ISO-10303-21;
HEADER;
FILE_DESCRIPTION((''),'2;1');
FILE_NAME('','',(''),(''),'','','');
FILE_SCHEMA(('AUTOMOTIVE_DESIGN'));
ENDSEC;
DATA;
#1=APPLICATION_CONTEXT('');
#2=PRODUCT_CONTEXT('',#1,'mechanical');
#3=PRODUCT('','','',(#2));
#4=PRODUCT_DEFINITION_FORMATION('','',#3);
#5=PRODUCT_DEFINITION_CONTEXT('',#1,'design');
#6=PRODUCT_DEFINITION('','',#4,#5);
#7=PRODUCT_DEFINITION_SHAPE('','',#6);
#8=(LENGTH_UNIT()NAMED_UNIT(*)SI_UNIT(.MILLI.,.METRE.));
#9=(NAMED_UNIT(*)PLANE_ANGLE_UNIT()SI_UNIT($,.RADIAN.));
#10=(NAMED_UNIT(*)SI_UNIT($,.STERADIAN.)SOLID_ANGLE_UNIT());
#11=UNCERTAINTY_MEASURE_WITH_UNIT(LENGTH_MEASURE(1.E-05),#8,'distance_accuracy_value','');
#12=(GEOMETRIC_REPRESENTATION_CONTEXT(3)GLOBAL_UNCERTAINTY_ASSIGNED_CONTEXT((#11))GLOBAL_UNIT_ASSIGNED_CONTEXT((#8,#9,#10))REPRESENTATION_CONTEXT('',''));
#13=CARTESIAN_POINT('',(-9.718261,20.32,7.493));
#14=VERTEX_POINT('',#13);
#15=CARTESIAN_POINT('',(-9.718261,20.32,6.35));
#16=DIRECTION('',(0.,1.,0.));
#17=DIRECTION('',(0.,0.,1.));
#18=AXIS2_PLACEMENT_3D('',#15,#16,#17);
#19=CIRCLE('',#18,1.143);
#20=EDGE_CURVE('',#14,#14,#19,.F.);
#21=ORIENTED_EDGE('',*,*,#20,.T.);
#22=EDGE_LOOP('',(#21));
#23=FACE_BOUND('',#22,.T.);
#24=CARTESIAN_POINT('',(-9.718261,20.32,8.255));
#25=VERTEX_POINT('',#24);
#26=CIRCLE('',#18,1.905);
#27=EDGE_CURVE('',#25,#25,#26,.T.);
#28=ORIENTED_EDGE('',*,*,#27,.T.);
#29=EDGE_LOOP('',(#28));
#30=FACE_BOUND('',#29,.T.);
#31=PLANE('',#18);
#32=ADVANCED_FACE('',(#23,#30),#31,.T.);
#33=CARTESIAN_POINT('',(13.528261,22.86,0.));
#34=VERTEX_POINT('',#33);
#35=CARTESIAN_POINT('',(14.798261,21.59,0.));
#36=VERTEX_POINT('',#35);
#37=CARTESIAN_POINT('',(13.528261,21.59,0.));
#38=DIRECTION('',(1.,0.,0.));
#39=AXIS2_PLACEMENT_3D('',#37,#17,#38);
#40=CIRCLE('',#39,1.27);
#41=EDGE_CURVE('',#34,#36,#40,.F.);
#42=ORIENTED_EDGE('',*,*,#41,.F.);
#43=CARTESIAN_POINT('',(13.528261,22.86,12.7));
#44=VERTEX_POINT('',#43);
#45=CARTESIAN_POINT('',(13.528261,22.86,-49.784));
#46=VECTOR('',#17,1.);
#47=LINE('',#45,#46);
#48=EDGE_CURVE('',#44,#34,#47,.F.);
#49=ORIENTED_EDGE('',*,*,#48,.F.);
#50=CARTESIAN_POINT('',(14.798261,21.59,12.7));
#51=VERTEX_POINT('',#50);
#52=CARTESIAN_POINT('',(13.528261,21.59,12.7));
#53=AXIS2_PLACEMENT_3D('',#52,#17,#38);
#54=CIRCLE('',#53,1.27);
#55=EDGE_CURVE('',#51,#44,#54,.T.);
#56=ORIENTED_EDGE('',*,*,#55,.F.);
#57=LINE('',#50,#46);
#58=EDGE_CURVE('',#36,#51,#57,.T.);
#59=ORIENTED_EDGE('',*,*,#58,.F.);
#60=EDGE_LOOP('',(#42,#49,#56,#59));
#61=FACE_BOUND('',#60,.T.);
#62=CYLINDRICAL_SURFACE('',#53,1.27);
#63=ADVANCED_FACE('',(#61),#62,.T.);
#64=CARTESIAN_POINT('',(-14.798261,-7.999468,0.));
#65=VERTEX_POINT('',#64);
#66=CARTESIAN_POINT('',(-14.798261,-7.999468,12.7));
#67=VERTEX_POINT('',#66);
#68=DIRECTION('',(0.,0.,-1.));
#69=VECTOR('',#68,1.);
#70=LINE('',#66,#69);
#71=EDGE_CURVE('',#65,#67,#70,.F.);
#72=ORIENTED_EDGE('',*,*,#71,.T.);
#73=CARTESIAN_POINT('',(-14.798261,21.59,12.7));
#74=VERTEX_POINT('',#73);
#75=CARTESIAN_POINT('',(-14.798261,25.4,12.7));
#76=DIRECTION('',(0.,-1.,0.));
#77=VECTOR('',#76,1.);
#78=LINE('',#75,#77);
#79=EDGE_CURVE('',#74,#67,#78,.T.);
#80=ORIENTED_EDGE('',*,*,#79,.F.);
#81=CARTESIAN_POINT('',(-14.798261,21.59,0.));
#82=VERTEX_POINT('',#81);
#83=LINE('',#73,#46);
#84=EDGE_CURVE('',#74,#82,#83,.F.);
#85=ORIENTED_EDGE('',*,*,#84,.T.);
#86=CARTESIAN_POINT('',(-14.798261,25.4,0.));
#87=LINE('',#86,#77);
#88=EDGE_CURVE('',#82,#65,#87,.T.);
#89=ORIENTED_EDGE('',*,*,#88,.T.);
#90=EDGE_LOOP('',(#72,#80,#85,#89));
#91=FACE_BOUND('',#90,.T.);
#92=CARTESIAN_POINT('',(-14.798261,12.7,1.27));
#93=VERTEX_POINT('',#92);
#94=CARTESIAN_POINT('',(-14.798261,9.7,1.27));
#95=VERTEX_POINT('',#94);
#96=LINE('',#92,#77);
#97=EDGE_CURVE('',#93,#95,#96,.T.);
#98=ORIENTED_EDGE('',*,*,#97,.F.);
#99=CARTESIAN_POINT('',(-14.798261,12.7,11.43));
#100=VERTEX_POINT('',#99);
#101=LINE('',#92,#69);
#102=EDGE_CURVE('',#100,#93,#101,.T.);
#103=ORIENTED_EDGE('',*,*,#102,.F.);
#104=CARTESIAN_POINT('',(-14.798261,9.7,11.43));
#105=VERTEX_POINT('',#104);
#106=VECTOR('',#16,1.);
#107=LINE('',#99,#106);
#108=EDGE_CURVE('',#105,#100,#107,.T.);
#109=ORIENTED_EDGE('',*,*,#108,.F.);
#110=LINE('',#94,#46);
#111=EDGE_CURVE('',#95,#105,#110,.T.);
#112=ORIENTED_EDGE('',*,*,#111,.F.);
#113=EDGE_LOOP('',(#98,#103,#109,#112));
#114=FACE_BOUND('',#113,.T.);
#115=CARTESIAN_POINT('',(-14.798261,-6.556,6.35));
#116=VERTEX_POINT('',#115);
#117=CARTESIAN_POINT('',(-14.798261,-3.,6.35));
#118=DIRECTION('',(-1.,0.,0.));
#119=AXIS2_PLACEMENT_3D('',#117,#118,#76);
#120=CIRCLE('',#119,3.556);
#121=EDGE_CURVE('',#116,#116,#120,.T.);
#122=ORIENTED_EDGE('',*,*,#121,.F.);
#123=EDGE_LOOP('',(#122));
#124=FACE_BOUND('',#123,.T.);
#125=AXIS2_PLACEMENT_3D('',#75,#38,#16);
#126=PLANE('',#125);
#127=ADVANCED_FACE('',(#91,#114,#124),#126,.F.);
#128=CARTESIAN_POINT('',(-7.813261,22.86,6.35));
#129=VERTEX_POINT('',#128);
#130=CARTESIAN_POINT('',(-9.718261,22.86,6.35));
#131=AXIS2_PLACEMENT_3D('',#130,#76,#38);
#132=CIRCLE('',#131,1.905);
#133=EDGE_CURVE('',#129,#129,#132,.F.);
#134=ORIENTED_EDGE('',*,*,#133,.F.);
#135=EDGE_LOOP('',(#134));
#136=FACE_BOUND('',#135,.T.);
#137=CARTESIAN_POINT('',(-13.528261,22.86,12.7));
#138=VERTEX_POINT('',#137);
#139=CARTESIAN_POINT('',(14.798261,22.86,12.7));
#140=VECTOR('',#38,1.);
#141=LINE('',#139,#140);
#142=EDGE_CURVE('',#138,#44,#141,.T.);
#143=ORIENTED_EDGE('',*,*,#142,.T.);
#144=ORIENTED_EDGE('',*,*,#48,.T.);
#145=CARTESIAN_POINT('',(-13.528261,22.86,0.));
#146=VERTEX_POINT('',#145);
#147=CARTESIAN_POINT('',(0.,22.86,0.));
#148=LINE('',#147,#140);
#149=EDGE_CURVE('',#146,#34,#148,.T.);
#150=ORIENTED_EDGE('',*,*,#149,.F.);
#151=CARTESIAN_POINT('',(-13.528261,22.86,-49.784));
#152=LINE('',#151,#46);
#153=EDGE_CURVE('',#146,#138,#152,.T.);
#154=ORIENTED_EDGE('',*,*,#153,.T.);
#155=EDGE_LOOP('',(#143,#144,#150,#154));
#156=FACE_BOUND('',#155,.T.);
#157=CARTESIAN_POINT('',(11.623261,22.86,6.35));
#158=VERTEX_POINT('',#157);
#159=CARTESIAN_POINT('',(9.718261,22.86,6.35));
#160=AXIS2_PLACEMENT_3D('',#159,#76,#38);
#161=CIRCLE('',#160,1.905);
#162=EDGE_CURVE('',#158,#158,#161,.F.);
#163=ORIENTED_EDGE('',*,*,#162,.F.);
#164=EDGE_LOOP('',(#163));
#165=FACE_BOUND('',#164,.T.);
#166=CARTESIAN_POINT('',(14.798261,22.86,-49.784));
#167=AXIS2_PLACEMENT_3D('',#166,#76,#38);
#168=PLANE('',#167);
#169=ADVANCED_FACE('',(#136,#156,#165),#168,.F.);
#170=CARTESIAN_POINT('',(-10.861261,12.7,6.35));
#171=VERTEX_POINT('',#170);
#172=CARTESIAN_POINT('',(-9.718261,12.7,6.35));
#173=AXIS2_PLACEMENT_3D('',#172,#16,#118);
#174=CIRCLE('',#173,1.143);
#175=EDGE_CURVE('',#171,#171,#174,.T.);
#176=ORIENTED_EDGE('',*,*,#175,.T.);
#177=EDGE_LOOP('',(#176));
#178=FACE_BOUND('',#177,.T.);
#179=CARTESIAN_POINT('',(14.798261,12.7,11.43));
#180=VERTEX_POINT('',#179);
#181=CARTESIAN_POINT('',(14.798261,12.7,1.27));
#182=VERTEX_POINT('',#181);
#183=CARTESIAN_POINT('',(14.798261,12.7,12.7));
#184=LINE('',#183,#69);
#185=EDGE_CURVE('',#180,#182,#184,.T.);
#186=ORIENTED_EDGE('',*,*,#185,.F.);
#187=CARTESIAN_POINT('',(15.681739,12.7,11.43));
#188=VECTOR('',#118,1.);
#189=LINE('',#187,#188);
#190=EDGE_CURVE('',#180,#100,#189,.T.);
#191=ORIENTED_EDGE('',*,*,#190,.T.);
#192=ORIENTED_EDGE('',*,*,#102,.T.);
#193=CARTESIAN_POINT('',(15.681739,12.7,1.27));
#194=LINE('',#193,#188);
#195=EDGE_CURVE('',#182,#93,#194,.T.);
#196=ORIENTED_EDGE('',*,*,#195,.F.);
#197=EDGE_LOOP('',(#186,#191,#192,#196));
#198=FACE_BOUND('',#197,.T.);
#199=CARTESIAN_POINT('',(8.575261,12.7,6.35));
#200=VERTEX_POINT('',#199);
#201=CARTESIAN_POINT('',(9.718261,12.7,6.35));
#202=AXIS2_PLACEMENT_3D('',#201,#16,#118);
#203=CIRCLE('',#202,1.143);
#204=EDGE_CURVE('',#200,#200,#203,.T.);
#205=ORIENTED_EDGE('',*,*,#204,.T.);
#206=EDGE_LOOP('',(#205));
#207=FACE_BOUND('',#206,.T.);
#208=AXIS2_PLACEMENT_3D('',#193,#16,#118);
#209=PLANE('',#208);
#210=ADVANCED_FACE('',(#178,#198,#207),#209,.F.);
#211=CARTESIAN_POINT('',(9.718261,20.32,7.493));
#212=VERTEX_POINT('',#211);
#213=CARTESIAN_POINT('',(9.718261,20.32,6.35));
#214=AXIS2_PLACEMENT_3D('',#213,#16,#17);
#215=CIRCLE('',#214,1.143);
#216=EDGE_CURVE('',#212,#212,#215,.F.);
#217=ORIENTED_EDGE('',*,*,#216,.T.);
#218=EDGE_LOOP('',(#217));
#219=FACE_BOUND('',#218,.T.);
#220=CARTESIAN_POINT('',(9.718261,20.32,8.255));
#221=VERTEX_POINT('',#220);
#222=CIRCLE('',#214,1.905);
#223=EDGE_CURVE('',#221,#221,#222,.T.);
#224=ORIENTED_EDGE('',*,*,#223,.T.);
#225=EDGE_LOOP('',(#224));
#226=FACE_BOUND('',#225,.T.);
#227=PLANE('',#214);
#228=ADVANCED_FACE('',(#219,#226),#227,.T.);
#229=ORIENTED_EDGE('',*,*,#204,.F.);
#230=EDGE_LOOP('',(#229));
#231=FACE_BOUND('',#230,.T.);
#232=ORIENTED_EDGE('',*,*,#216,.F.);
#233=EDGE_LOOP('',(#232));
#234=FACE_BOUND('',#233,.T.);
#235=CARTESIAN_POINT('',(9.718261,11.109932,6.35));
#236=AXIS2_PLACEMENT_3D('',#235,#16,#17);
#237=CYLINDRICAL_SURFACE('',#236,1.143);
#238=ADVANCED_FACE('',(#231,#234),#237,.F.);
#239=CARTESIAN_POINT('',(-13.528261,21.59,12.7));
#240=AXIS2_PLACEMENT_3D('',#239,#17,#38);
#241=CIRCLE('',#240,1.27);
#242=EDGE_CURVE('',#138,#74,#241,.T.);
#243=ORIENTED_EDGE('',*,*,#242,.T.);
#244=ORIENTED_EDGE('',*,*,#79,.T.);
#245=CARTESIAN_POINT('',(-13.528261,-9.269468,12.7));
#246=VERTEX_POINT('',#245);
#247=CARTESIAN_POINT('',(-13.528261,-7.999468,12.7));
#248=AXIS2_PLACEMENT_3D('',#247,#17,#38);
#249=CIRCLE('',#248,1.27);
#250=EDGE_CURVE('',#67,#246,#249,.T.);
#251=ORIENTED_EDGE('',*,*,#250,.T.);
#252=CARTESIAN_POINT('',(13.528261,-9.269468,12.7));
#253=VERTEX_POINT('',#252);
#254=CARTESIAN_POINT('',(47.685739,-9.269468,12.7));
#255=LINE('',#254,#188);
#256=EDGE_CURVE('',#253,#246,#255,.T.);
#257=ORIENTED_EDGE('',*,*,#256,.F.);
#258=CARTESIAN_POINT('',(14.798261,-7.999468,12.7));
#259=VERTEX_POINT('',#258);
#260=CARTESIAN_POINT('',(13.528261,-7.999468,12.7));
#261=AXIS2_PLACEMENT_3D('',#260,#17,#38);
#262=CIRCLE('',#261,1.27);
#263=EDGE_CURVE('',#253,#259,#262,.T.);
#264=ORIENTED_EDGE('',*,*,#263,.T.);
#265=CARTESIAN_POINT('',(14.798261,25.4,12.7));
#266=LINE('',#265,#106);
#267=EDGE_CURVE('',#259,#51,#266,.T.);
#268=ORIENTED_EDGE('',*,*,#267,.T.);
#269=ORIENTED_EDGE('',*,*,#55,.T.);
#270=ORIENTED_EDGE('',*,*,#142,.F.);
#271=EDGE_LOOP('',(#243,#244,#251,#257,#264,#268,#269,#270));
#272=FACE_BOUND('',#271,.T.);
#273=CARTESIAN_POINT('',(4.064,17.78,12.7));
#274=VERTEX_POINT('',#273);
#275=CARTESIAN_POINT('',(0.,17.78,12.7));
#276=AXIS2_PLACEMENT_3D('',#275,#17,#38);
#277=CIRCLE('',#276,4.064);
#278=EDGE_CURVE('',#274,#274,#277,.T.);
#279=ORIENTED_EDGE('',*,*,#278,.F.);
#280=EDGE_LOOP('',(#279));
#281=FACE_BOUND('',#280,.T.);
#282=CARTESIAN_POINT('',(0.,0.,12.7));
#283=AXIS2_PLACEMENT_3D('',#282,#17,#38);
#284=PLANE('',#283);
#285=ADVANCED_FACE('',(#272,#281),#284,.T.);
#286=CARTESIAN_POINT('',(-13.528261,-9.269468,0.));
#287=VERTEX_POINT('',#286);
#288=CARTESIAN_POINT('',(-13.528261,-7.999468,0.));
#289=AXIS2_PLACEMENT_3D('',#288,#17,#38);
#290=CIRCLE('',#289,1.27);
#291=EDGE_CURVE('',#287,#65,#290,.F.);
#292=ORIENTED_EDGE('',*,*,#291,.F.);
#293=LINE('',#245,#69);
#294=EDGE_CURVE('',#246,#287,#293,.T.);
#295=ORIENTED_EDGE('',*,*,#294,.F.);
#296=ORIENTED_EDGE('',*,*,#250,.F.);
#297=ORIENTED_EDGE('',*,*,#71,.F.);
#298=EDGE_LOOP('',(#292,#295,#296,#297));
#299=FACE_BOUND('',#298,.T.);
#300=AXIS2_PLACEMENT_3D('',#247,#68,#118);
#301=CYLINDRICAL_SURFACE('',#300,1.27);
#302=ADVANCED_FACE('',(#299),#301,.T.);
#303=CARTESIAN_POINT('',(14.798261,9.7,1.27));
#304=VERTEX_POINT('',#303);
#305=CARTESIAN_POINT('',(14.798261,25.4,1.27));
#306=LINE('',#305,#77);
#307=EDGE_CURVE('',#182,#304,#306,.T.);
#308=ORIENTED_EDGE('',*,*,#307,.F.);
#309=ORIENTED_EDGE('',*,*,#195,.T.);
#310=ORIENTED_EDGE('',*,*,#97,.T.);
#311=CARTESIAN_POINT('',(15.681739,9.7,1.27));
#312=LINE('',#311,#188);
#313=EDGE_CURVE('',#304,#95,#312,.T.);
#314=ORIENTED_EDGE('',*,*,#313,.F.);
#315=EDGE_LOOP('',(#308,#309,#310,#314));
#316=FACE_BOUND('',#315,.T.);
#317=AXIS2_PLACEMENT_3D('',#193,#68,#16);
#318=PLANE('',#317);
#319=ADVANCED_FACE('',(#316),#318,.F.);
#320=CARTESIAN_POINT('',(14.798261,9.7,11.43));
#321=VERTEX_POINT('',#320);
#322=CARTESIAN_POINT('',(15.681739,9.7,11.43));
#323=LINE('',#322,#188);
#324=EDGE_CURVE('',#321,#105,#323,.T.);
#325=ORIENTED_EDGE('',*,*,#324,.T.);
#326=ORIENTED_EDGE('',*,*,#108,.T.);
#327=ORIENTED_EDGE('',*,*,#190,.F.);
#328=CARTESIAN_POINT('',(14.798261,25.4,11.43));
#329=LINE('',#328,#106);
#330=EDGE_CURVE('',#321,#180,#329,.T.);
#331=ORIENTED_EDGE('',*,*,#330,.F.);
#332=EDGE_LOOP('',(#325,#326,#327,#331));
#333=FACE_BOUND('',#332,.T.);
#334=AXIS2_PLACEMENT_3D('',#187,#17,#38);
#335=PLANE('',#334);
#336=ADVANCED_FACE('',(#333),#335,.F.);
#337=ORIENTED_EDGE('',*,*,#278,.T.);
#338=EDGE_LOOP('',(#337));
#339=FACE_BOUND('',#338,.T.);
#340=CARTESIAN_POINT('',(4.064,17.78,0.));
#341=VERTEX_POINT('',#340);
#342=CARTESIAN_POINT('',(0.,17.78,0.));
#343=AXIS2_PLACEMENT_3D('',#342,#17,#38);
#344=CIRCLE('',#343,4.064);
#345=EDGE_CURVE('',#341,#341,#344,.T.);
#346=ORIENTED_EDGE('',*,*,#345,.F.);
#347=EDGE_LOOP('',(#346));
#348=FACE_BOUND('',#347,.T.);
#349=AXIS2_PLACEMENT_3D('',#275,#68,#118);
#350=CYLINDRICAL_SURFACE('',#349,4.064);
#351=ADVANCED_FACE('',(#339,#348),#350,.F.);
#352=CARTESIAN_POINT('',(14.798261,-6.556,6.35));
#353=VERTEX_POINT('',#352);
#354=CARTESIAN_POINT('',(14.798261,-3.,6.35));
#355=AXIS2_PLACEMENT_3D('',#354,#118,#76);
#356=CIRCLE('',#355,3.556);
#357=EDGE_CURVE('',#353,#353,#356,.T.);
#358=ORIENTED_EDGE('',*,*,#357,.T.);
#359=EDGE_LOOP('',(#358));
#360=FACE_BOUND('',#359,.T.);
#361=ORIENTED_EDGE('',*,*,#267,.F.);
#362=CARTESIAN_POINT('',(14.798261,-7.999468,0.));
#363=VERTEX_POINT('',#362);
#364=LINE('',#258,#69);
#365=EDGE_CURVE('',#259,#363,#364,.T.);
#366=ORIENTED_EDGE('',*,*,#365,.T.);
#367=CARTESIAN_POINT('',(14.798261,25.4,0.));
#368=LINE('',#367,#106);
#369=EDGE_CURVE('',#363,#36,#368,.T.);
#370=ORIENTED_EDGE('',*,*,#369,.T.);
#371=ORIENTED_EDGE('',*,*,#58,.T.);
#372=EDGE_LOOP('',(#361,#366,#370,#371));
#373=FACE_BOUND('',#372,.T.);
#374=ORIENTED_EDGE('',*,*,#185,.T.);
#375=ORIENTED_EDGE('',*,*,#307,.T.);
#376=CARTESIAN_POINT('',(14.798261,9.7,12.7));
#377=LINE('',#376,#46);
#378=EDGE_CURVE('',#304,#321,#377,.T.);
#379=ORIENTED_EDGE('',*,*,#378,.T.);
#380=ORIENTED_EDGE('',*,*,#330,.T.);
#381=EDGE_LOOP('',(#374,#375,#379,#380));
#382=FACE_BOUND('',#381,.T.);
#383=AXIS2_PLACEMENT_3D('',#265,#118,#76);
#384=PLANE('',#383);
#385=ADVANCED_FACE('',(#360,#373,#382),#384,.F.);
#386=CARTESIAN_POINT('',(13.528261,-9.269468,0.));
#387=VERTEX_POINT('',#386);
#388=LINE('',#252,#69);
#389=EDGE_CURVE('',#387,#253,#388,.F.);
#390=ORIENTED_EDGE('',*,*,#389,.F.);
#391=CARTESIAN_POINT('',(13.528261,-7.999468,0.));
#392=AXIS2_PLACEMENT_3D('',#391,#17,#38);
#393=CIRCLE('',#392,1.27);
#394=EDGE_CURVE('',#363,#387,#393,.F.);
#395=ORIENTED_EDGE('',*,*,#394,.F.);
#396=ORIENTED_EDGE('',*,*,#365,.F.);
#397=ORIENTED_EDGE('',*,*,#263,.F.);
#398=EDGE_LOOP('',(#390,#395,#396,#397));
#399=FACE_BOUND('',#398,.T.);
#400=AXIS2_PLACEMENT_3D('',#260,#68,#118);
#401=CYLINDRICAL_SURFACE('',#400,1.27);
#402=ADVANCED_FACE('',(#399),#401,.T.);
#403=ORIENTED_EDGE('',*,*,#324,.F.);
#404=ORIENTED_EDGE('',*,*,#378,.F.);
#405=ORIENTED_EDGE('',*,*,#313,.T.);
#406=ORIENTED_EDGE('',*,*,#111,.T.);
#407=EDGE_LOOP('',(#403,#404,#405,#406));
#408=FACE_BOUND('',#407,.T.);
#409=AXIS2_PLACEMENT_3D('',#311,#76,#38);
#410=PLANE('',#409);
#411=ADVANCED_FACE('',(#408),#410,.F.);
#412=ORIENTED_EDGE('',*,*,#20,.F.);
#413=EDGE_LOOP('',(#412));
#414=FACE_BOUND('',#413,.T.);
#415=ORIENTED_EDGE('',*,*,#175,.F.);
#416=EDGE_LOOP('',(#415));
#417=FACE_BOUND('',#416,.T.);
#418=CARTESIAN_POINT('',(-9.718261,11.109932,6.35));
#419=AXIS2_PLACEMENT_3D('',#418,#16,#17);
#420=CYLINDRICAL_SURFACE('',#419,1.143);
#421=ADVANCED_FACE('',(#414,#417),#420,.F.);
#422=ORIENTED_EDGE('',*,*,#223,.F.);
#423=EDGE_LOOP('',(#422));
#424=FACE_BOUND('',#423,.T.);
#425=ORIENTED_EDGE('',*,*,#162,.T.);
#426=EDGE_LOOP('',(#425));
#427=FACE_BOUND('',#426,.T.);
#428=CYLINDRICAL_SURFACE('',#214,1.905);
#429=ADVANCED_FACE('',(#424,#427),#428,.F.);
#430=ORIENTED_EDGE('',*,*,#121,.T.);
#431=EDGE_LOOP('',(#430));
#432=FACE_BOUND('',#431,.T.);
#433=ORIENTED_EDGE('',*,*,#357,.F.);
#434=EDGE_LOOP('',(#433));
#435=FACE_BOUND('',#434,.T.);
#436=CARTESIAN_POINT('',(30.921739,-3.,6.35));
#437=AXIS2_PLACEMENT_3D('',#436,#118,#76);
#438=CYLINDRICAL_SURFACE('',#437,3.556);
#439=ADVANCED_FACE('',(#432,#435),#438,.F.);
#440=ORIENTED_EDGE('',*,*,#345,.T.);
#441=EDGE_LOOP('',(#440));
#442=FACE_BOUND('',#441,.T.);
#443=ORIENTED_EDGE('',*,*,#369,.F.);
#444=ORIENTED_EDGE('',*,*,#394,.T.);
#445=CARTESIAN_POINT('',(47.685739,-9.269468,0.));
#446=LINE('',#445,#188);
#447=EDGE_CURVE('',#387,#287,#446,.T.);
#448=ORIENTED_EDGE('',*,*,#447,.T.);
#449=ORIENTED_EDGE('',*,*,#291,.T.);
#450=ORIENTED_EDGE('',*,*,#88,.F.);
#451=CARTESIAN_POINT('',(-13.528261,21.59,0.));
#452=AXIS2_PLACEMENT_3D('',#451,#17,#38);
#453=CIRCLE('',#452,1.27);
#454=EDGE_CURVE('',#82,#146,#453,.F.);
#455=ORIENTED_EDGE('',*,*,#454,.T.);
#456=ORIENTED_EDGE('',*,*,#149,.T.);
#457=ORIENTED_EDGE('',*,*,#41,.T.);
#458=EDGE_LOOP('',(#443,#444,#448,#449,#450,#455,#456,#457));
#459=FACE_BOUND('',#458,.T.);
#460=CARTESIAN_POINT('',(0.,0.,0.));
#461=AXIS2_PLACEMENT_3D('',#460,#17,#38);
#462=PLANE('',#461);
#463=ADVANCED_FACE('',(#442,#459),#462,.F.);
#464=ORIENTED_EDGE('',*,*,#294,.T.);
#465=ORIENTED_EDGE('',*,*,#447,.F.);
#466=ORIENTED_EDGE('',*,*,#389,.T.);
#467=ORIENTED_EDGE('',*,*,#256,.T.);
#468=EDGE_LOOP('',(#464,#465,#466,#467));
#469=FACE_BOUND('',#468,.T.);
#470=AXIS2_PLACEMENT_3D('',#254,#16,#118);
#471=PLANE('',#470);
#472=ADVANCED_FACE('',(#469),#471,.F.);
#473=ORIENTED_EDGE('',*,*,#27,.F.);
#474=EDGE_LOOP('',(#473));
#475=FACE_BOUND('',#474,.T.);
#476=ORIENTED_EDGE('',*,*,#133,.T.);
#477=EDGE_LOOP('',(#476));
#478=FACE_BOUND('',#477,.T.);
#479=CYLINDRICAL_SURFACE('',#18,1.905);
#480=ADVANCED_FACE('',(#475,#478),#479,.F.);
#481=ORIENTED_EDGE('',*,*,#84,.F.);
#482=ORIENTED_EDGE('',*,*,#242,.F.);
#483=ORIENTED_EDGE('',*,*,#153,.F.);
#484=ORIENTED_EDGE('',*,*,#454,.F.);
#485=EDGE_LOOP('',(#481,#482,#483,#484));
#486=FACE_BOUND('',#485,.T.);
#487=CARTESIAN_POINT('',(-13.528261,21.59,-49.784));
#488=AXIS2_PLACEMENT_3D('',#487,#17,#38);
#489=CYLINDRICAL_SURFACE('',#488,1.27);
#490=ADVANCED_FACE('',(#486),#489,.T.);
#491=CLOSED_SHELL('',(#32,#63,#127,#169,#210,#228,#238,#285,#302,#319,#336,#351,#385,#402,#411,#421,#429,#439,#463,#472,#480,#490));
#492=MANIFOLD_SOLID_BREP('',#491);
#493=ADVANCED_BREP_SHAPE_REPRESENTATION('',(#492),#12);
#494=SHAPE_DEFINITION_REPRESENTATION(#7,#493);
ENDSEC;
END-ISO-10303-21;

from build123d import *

# Parameters (mm, degrees)
SKETCH1_W           = 29.59652174
SKETCH1_H           = 50.8
SKETCH1_R           = 4.064
BOSS_EXTRUDE1_DEPTH = 12.7
SKETCH2_W           = 10.16
SKETCH2_H           = 3
CUT_EXTRUDE1_DEPTH  = 30.48
SKETCH3_R           = 3.556
CUT_EXTRUDE2_DEPTH  = 45.72
SKETCH4_R           = 1.143
CUT_EXTRUDE3_DEPTH  = 14.290068122
SKETCH5_R           = 1.905
CUT_EXTRUDE4_DEPTH  = 5.08
SKETCH7_W           = 12.7
SKETCH7_H           = 11.050531838
CUT_EXTRUDE5_DEPTH  = 62.484
SKETCH8_W           = 29.59652174
SKETCH8_H           = 2.54
CUT_EXTRUDE6_DEPTH  = 62.484
SKETCH9_W           = 12.7
SKETCH9_H           = 5.08
CUT_EXTRUDE7_DEPTH  = 62.484
FILLET1_R           = 1.27


with BuildPart() as part:
    # Sketch1 → Boss-Extrude1 (new body)
    with BuildSketch(Plane.XY):
        Rectangle(SKETCH1_W, SKETCH1_H)
        with Locations((0, 17.78)):
            Circle(SKETCH1_R, mode=Mode.SUBTRACT)
    extrude(amount=BOSS_EXTRUDE1_DEPTH)

    # Sketch2 → Cut-Extrude1 (cut)
    with BuildSketch(Plane.ZY.offset(14.79826087)):
        with Locations((6.35, 11.2)):
            Rectangle(SKETCH2_W, SKETCH2_H)
    extrude(amount=-CUT_EXTRUDE1_DEPTH, mode=Mode.SUBTRACT)

    # Sketch3 → Cut-Extrude2 (cut)
    with BuildSketch(Plane.ZY.offset(14.79826087)):
        with Locations((6.35, -3)):
            Circle(SKETCH3_R)
    extrude(amount=-CUT_EXTRUDE2_DEPTH, mode=Mode.SUBTRACT)

    # Sketch4 → Cut-Extrude3 (cut)
    with BuildSketch(Plane(origin=(0, 25.4, 0), x_dir=(1, 0, 0), z_dir=(0, 1, 0))):
        with Locations((9.71826087, -6.35)):
            Circle(SKETCH4_R)
        with Locations((-9.71826087, -6.35)):
            Circle(SKETCH4_R)
    extrude(amount=-CUT_EXTRUDE3_DEPTH, mode=Mode.SUBTRACT)

    # Sketch5 → Cut-Extrude4 (cut)
    with BuildSketch(Plane(origin=(0, 25.4, 0), x_dir=(1, 0, 0), z_dir=(0, 1, 0))):
        with Locations((-9.71826087, -6.35)):
            Circle(SKETCH5_R)
        with Locations((9.71826087, -6.35)):
            Circle(SKETCH5_R)
    extrude(amount=-CUT_EXTRUDE4_DEPTH, mode=Mode.SUBTRACT)

    # Sketch7 → Cut-Extrude5 (cut)
    with BuildSketch(Plane.ZY.offset(14.79826087)):
        with Locations((6.35, -19.874734081)):
            Rectangle(SKETCH7_W, SKETCH7_H)
    extrude(amount=-CUT_EXTRUDE5_DEPTH, mode=Mode.SUBTRACT)

    # Sketch8 → Cut-Extrude6 (cut)
    with BuildSketch(Plane.XY.offset(12.7)):
        with Locations((0, 24.13)):
            Rectangle(SKETCH8_W, SKETCH8_H)
    extrude(amount=-CUT_EXTRUDE6_DEPTH, mode=Mode.SUBTRACT)

    # Sketch9 → Cut-Extrude7 (cut)
    with BuildSketch(Plane.ZY.offset(14.79826087)):
        with Locations((6.35, -11.809468162)):
            Rectangle(SKETCH9_W, SKETCH9_H)
    extrude(amount=-CUT_EXTRUDE7_DEPTH, mode=Mode.SUBTRACT)

    # Fillet1
    fillet1_edges = [part.edges().sort_by_distance(p)[0] for p in [
        (14.79826087, -9.269468162, 6.35),
        (-14.79826087, -9.269468162, 6.35),
        (-14.79826087, 22.86, 6.35),
        (14.79826087, 22.86, 6.35),
    ]]
    fillet(fillet1_edges, radius=FILLET1_R)


solid = part.part
